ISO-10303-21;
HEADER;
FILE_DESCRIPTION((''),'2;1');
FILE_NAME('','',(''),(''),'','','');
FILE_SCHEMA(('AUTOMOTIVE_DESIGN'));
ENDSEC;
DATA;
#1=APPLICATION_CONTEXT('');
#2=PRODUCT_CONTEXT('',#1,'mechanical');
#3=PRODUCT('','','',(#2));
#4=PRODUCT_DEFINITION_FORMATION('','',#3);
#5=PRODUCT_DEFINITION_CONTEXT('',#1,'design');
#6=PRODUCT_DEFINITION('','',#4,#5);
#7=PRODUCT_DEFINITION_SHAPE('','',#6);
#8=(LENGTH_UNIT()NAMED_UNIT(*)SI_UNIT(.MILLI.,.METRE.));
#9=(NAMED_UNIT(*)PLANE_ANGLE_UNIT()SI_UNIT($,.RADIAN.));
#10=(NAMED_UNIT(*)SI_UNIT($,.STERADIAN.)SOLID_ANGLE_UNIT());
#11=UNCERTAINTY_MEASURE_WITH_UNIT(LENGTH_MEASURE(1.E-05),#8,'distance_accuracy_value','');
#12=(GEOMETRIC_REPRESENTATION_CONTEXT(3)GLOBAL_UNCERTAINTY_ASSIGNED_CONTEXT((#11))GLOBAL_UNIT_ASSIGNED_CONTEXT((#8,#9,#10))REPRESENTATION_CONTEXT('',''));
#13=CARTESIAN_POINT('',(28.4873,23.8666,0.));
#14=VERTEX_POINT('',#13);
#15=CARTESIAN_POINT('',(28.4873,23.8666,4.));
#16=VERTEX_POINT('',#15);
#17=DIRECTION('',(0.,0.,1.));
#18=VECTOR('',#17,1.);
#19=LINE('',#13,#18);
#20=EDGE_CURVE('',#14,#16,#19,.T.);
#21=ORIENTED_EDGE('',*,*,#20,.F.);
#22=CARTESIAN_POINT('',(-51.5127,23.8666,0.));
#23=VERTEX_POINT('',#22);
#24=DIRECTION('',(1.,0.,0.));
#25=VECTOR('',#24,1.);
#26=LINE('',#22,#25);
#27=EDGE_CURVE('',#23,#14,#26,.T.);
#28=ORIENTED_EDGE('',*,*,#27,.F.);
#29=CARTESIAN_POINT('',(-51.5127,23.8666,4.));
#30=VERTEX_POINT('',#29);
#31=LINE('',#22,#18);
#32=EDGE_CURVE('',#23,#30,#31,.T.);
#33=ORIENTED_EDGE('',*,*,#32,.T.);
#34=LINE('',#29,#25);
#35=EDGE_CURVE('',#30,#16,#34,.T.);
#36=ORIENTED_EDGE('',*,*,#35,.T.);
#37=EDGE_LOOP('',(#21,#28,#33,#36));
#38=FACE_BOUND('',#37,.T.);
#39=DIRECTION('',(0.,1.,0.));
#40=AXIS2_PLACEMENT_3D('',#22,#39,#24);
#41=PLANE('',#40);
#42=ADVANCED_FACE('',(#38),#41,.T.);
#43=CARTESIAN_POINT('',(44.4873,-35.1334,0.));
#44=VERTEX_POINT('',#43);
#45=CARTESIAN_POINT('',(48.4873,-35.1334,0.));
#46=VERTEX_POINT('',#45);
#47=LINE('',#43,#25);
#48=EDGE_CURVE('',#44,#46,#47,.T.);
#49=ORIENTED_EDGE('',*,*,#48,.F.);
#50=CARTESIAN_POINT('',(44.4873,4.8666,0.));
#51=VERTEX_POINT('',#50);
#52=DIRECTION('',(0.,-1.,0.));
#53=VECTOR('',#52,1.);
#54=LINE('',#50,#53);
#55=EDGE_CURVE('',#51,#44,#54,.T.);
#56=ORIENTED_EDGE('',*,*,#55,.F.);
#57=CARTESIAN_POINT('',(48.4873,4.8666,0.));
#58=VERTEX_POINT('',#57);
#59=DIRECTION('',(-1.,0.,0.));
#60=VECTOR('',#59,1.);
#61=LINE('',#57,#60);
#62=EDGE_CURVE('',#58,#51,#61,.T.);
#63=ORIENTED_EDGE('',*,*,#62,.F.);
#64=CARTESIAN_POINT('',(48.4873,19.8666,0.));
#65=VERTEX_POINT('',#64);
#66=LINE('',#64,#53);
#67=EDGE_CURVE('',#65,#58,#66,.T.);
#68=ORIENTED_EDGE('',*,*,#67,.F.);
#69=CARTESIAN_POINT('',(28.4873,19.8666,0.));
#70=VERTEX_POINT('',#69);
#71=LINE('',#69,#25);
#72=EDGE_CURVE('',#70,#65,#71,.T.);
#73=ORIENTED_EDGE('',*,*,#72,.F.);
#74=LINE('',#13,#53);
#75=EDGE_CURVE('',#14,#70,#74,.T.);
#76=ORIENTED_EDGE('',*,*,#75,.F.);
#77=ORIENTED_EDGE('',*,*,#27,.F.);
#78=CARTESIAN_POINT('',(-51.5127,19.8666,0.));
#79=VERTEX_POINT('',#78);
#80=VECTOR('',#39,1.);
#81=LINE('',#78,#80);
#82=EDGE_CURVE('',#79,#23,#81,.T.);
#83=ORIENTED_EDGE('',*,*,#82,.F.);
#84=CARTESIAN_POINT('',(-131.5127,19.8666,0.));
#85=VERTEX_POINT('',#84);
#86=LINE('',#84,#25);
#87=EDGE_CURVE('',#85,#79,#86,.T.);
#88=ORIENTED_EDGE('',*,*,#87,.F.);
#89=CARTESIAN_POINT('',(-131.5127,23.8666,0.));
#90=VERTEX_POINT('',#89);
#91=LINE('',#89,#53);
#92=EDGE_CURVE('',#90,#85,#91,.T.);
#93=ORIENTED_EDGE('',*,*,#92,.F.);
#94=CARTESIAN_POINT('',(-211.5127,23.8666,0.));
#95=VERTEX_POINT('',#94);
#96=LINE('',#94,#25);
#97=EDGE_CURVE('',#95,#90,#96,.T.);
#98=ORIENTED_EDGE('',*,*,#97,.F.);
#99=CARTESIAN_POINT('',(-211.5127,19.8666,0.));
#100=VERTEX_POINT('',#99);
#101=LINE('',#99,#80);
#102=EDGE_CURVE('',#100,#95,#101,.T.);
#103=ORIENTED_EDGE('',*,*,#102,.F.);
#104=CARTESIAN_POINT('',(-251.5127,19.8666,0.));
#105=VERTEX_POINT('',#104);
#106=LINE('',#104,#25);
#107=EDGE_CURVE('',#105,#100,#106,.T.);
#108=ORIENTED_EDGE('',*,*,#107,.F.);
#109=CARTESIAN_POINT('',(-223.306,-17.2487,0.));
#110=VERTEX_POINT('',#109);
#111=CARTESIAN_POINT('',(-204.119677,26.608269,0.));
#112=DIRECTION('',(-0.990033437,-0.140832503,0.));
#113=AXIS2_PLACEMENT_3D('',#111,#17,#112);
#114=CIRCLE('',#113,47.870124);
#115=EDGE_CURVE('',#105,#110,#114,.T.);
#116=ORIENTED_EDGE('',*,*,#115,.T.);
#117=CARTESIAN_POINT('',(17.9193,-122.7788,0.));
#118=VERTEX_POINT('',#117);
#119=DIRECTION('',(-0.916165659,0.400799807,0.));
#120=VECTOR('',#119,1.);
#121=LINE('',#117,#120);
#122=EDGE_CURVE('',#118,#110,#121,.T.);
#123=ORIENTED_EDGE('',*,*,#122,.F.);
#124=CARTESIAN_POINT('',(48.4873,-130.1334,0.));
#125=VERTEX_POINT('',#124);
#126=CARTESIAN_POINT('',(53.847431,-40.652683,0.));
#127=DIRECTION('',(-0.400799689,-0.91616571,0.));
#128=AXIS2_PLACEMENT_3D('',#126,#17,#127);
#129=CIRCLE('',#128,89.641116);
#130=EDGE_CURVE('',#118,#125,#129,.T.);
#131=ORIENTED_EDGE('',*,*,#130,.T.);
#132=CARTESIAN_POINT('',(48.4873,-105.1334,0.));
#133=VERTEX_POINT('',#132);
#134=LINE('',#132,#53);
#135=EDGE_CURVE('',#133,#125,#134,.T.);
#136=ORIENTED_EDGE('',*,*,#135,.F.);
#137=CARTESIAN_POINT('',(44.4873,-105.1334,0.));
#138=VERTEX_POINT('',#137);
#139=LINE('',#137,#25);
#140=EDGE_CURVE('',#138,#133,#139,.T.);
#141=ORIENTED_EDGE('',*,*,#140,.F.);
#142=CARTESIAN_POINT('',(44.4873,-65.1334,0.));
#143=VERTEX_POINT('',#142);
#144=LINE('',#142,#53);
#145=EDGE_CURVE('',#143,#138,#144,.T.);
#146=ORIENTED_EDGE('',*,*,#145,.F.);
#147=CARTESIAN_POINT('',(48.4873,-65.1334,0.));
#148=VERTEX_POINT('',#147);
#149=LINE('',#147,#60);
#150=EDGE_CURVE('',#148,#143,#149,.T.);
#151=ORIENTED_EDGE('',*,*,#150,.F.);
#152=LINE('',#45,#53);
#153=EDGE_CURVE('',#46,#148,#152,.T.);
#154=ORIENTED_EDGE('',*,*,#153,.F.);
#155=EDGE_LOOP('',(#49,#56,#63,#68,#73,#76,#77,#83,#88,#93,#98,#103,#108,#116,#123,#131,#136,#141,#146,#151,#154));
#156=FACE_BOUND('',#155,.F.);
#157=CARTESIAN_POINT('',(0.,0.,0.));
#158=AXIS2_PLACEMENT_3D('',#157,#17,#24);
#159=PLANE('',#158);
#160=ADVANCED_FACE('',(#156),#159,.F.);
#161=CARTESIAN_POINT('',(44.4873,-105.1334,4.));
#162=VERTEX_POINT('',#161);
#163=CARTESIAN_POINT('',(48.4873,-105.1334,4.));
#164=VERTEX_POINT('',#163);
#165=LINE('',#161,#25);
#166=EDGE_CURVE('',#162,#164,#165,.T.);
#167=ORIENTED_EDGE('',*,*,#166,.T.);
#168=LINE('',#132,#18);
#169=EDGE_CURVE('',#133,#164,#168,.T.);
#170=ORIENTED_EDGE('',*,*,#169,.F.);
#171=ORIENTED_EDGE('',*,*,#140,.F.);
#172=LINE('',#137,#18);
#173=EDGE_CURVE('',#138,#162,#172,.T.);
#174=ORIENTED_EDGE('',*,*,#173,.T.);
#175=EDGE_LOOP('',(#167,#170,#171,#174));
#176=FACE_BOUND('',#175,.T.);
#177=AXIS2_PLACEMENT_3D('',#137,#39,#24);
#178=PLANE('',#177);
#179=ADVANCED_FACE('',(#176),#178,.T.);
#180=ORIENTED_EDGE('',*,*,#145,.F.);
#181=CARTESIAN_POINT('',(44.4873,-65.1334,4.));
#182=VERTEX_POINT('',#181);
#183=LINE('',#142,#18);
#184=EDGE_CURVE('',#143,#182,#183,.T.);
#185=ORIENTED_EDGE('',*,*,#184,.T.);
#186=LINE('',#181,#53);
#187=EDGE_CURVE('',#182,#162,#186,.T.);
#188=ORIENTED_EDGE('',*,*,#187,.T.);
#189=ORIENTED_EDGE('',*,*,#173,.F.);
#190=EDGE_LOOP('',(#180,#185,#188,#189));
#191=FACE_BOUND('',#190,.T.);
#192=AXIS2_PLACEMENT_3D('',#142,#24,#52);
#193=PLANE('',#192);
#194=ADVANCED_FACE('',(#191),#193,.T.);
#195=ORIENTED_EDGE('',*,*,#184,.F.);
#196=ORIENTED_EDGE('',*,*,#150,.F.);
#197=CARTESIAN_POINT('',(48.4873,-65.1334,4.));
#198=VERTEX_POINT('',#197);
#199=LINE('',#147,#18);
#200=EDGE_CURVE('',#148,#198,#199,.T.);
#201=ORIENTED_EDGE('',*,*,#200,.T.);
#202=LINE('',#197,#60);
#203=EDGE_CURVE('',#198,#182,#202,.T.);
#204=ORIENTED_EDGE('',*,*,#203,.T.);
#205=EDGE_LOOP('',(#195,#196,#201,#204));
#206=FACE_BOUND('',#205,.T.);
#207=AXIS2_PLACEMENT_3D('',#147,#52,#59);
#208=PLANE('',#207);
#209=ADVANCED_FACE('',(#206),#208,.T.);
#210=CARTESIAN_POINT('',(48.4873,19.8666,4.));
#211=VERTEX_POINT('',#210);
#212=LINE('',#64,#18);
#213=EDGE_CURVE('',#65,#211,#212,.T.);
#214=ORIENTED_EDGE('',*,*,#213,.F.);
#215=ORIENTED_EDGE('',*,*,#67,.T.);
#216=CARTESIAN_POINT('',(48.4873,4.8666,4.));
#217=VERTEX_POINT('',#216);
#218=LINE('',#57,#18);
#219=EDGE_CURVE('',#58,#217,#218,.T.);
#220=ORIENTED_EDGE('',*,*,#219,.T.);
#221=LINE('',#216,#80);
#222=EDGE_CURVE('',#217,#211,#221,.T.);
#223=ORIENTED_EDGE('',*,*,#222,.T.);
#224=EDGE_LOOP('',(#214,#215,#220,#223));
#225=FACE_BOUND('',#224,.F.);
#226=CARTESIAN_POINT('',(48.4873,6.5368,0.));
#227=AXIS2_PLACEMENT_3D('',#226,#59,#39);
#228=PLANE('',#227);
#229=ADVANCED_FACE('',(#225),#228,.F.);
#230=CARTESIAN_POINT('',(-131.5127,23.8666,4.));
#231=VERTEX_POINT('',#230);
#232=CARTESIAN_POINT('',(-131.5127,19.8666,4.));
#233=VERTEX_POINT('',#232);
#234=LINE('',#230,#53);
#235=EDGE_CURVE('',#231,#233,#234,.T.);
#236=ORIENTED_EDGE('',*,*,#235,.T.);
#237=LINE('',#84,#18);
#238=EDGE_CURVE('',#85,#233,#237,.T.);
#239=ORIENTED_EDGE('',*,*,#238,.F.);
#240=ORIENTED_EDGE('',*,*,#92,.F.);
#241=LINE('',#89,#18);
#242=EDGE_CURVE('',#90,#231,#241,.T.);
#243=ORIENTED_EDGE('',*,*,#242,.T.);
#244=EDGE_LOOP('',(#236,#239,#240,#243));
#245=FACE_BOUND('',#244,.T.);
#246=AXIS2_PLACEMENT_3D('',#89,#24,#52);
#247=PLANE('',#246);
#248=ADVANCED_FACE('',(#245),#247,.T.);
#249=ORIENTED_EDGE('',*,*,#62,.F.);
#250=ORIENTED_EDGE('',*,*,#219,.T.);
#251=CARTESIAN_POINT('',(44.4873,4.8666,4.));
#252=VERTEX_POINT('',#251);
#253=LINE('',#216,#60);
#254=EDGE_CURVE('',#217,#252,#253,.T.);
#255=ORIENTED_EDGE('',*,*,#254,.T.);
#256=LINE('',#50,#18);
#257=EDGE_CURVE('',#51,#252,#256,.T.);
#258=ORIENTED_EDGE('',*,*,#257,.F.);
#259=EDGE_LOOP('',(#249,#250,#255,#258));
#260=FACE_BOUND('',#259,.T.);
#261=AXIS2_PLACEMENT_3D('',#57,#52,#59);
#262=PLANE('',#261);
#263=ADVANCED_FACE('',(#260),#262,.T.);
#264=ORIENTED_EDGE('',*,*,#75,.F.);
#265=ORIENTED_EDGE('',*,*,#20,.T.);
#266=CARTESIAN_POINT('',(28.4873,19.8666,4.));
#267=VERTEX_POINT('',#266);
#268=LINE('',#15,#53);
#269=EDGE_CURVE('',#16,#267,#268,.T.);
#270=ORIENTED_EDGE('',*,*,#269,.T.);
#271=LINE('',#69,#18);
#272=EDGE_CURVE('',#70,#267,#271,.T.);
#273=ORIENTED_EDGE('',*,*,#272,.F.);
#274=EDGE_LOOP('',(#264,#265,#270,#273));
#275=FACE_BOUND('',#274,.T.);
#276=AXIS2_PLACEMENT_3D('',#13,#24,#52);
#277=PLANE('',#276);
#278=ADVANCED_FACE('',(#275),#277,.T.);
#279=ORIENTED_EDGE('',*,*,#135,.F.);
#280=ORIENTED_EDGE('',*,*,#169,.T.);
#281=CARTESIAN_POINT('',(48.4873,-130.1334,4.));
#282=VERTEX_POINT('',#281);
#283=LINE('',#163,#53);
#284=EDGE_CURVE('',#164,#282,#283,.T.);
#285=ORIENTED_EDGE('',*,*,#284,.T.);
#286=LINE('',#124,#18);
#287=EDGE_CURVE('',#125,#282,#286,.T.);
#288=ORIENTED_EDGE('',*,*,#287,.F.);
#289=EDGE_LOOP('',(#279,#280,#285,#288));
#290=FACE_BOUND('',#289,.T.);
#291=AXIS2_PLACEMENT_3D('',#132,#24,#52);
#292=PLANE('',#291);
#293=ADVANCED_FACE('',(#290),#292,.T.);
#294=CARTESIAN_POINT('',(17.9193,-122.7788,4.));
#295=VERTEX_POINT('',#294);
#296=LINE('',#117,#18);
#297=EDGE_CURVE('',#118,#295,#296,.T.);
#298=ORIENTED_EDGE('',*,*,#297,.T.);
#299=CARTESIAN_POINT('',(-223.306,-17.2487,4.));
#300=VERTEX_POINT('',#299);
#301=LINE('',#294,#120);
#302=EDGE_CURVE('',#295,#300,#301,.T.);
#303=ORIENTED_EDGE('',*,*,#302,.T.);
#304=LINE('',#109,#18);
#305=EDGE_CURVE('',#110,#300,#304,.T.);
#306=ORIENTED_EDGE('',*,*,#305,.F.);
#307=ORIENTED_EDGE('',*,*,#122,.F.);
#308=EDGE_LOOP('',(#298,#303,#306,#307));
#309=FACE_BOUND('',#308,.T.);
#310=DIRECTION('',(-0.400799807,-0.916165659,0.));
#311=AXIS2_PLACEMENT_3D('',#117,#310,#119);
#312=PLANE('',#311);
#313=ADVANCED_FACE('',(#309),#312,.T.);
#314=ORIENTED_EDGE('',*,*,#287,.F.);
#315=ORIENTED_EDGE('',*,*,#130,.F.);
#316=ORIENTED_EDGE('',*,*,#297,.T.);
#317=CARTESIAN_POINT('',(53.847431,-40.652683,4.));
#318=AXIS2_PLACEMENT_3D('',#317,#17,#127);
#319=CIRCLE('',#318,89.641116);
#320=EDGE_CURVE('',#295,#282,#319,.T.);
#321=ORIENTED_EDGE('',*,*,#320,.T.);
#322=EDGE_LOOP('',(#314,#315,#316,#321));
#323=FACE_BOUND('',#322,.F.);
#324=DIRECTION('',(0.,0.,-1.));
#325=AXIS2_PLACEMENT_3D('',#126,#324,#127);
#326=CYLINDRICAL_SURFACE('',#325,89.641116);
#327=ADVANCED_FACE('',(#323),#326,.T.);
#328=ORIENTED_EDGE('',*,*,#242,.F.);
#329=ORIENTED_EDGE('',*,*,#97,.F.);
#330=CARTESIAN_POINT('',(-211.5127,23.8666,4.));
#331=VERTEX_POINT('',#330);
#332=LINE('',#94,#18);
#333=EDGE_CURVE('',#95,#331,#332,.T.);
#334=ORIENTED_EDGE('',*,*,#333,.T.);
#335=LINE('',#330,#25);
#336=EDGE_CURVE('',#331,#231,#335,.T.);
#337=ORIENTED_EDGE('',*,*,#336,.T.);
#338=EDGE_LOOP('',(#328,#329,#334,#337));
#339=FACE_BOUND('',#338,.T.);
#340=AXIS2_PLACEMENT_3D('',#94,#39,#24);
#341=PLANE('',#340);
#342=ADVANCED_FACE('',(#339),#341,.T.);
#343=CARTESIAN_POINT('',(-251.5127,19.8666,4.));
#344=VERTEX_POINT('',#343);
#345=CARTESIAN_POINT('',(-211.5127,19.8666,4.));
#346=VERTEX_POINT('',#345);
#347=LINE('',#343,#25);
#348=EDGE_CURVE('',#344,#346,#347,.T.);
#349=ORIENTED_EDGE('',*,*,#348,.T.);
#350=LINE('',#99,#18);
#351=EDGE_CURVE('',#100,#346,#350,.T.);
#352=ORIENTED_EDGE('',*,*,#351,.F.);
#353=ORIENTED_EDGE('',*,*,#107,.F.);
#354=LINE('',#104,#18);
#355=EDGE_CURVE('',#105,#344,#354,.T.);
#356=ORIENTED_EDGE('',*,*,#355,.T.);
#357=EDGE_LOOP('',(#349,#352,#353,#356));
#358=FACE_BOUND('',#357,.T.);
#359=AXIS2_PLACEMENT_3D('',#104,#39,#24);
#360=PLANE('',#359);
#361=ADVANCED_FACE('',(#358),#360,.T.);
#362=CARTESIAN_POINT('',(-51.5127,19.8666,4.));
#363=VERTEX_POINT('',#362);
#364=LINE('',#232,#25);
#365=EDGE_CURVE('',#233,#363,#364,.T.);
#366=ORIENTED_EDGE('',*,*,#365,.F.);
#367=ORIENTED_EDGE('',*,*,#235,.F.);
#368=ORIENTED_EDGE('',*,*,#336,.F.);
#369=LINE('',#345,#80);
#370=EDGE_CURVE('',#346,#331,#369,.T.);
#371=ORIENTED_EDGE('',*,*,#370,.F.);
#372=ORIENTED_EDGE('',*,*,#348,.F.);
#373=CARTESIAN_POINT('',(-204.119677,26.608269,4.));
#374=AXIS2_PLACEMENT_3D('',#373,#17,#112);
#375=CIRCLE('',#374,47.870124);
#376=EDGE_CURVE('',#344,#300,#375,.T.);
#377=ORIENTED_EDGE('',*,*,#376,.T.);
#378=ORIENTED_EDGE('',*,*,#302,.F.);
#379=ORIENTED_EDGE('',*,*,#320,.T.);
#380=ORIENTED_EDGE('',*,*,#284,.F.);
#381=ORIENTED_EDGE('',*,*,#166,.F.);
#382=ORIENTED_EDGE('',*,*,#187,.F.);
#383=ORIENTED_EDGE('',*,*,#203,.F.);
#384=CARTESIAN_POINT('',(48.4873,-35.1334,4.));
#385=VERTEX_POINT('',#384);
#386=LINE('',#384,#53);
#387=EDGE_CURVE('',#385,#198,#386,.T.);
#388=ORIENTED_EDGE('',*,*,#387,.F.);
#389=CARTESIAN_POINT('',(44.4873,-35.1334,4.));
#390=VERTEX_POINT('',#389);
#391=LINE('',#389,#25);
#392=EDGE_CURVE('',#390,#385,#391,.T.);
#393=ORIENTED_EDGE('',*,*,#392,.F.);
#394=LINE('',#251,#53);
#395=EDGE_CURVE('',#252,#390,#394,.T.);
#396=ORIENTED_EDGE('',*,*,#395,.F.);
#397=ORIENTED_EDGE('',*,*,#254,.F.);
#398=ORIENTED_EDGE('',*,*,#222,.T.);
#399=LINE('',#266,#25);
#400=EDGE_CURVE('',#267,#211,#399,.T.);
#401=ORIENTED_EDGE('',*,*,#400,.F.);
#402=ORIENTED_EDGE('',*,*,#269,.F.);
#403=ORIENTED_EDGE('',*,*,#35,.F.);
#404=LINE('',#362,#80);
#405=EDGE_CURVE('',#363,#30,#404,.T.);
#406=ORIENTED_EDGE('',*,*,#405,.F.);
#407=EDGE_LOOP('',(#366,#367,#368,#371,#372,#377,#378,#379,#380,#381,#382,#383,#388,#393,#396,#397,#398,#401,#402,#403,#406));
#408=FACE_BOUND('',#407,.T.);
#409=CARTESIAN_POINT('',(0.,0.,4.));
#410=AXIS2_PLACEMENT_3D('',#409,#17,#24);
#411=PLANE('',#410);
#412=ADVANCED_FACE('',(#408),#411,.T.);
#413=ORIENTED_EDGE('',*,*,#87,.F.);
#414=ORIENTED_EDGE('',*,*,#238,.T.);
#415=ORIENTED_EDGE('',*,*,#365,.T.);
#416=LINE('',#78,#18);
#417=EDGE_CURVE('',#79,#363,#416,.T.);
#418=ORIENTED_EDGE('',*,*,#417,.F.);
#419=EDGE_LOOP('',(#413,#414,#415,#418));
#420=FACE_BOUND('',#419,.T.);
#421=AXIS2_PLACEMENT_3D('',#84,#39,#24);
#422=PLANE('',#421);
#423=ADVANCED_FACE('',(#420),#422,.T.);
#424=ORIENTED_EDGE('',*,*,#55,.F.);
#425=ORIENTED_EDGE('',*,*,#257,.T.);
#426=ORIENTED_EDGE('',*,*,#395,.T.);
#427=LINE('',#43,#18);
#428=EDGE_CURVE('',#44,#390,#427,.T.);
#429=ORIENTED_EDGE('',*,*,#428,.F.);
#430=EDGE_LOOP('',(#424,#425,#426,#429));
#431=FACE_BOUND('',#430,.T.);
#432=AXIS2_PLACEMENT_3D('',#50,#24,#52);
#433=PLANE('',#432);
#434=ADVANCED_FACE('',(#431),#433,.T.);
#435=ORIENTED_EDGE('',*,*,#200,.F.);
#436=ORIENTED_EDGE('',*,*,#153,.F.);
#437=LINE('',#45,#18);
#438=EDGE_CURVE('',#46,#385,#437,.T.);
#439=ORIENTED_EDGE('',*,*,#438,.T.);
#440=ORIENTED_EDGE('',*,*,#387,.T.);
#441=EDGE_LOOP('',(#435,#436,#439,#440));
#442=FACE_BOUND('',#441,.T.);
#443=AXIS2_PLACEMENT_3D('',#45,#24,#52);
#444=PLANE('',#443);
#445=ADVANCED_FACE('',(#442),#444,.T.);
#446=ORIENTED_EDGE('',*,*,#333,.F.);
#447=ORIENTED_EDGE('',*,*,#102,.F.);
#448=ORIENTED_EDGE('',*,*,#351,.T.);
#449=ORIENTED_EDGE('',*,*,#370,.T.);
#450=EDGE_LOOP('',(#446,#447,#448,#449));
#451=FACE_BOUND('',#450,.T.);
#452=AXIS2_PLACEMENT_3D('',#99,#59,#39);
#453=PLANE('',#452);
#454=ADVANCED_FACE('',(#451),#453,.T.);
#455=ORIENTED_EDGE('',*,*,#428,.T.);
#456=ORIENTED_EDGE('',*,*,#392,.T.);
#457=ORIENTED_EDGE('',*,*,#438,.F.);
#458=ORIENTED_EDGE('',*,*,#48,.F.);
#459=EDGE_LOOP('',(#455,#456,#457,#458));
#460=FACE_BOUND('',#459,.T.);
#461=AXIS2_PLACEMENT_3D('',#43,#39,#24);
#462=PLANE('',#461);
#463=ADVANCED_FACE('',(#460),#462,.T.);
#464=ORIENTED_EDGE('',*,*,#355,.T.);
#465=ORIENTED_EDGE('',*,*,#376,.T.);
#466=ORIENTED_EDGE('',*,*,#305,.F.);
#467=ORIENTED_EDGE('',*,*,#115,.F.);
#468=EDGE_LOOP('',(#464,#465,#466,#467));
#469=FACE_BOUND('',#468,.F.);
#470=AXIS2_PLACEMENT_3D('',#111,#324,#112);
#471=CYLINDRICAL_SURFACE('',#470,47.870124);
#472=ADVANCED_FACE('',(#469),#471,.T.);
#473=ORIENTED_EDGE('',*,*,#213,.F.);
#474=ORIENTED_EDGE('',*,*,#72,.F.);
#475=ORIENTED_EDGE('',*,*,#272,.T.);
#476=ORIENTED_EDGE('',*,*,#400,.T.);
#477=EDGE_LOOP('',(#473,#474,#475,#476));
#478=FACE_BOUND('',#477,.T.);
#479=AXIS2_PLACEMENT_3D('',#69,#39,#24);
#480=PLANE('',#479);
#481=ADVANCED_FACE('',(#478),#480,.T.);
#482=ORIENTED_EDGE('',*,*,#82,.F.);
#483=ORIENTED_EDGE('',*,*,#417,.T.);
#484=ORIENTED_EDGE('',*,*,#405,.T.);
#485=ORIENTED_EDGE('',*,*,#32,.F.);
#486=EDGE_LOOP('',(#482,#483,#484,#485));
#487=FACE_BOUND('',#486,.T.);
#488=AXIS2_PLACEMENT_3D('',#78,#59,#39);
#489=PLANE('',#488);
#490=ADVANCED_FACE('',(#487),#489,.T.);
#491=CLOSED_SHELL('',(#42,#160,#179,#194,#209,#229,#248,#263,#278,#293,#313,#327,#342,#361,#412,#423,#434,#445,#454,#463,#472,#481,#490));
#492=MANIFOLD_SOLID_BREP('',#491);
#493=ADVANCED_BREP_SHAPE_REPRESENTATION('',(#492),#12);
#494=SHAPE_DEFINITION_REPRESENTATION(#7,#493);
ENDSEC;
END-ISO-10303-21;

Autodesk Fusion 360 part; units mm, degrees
sketch "Sketch1" plane through (0, 0, 0) normal (0, 0, 1) x (1, 0, 0)
  line L0 (-73.0553, -57.6886) -> (226.9447, -57.6886)
  line L1 (226.9447, 242.3114) -> (-73.0553, 242.3114)
  line L2 (-73.0553, 222.3114) -> (-69.0553, 222.3114)
  line L3 (-69.0553, 222.3114) -> (-69.0553, 142.3114)
  line L4 (-69.0553, 142.3114) -> (-73.0553, 142.3114)
  line L5 (-73.0553, 242.3114) -> (-73.0553, 222.3114)
  line L6 (-73.0553, -17.6886) -> (-69.0553, -17.6886)
  line L7 (-69.0553, -17.6886) -> (-69.0553, 62.3114)
  line L8 (-69.0553, 62.3114) -> (-73.0553, 62.3114)
  line L9 (-73.0553, 142.3114) -> (-73.0553, 62.3114)
  line L10 (-73.0553, -17.6886) -> (-73.0553, -57.6886)
  line L11 (226.9447, 222.3114) -> (222.9447, 222.3114)
  line L12 (222.9447, 222.3114) -> (222.9447, 142.3114)
  line L13 (222.9447, 142.3114) -> (226.9447, 142.3114)
  line L14 (226.9447, 62.3114) -> (222.9447, 62.3114)
  line L15 (222.9447, 62.3114) -> (222.9447, -17.6886)
  line L16 (222.9447, -17.6886) -> (226.9447, -17.6886)
  line L17 (226.9447, -17.6886) -> (226.9447, -57.6886)
  line L18 (226.9447, 142.3114) -> (226.9447, 62.3114)
  line L19 (226.9447, 242.3114) -> (226.9447, 222.3114)
  dimension "d1" = 300
  dimension "d2" = 300
  dimension "d3" = 20
  dimension "d4" = 4
  dimension "d5" = 80
  dimension "d6" = 80
  dimension "d7" = 80
  dimension "d8" = 4
  dimension "d9" = 4
  dimension "d10" = 80
  dimension "d11" = 20
  dimension "d12" = 80
  dimension "d13" = 80
extrude "Extrude1" add sketch "Sketch1" along normal blind 4

Autodesk Fusion 360 part; units mm, degrees
sketch "Sketch1" plane through (0, 0, 0) normal (0, 0, 1) x (1, 0, 0)
  line L0 (-51.5127, 19.8666) -> (-51.5127, 23.8666)
  line L1 (-51.5127, 23.8666) -> (28.4873, 23.8666)
  line L2 (28.4873, 23.8666) -> (28.4873, 19.8666)
  line L3 (-211.5127, 19.8666) -> (-211.5127, 23.8666)
  line L4 (-211.5127, 23.8666) -> (-131.5127, 23.8666)
  line L5 (-131.5127, 23.8666) -> (-131.5127, 19.8666)
  line L6 (48.4873, 4.8666) -> (44.4873, 4.8666)
  line L7 (44.4873, 4.8666) -> (44.4873, -35.1334)
  line L8 (44.4873, -35.1334) -> (48.4873, -35.1334)
  line L9 (48.4873, -65.1334) -> (44.4873, -65.1334)
  line L10 (44.4873, -65.1334) -> (44.4873, -105.1334)
  line L11 (44.4873, -105.1334) -> (48.4873, -105.1334)
  line L12 (-251.5127, 19.8666) -> (-211.5127, 19.8666)
  line L13 (-131.5127, 19.8666) -> (-51.5127, 19.8666)
  line L14 (28.4873, 19.8666) -> (48.4873, 19.8666)
  line L15 (48.4873, 4.8666) -> (48.4873, 6.5368)
  line L16 (48.4873, 6.5368) -> (48.4873, 19.8666)
  line L17 (48.4873, -35.1334) -> (48.4873, -65.1334)
  line L18 (48.4873, -105.1334) -> (48.4873, -130.1334)
  line L19 (17.9193, -122.7788) -> (-223.306, -17.2487)
  arc A0 (-251.5127, 19.8666) -> (-223.306, -17.2487) centre (-204.1197, 26.6083) ccw
  arc A1 (17.9193, -122.7788) -> (48.4873, -130.1334) centre (53.8475, -40.6527) ccw
  dimension "d1" = 300
  dimension "d2" = 150
  dimension "d3" = 4
  dimension "d4" = 4
  dimension "d5" = 80
  dimension "d6" = 80
  dimension "d7" = 20
  dimension "d8" = 80
  dimension "d9" = 4
  dimension "d10" = 4
  dimension "d11" = 40
  dimension "d12" = 40
  dimension "d13" = 30
  dimension "d14" = 15
extrude "Extrude1" add sketch "Sketch1" along normal blind 4
